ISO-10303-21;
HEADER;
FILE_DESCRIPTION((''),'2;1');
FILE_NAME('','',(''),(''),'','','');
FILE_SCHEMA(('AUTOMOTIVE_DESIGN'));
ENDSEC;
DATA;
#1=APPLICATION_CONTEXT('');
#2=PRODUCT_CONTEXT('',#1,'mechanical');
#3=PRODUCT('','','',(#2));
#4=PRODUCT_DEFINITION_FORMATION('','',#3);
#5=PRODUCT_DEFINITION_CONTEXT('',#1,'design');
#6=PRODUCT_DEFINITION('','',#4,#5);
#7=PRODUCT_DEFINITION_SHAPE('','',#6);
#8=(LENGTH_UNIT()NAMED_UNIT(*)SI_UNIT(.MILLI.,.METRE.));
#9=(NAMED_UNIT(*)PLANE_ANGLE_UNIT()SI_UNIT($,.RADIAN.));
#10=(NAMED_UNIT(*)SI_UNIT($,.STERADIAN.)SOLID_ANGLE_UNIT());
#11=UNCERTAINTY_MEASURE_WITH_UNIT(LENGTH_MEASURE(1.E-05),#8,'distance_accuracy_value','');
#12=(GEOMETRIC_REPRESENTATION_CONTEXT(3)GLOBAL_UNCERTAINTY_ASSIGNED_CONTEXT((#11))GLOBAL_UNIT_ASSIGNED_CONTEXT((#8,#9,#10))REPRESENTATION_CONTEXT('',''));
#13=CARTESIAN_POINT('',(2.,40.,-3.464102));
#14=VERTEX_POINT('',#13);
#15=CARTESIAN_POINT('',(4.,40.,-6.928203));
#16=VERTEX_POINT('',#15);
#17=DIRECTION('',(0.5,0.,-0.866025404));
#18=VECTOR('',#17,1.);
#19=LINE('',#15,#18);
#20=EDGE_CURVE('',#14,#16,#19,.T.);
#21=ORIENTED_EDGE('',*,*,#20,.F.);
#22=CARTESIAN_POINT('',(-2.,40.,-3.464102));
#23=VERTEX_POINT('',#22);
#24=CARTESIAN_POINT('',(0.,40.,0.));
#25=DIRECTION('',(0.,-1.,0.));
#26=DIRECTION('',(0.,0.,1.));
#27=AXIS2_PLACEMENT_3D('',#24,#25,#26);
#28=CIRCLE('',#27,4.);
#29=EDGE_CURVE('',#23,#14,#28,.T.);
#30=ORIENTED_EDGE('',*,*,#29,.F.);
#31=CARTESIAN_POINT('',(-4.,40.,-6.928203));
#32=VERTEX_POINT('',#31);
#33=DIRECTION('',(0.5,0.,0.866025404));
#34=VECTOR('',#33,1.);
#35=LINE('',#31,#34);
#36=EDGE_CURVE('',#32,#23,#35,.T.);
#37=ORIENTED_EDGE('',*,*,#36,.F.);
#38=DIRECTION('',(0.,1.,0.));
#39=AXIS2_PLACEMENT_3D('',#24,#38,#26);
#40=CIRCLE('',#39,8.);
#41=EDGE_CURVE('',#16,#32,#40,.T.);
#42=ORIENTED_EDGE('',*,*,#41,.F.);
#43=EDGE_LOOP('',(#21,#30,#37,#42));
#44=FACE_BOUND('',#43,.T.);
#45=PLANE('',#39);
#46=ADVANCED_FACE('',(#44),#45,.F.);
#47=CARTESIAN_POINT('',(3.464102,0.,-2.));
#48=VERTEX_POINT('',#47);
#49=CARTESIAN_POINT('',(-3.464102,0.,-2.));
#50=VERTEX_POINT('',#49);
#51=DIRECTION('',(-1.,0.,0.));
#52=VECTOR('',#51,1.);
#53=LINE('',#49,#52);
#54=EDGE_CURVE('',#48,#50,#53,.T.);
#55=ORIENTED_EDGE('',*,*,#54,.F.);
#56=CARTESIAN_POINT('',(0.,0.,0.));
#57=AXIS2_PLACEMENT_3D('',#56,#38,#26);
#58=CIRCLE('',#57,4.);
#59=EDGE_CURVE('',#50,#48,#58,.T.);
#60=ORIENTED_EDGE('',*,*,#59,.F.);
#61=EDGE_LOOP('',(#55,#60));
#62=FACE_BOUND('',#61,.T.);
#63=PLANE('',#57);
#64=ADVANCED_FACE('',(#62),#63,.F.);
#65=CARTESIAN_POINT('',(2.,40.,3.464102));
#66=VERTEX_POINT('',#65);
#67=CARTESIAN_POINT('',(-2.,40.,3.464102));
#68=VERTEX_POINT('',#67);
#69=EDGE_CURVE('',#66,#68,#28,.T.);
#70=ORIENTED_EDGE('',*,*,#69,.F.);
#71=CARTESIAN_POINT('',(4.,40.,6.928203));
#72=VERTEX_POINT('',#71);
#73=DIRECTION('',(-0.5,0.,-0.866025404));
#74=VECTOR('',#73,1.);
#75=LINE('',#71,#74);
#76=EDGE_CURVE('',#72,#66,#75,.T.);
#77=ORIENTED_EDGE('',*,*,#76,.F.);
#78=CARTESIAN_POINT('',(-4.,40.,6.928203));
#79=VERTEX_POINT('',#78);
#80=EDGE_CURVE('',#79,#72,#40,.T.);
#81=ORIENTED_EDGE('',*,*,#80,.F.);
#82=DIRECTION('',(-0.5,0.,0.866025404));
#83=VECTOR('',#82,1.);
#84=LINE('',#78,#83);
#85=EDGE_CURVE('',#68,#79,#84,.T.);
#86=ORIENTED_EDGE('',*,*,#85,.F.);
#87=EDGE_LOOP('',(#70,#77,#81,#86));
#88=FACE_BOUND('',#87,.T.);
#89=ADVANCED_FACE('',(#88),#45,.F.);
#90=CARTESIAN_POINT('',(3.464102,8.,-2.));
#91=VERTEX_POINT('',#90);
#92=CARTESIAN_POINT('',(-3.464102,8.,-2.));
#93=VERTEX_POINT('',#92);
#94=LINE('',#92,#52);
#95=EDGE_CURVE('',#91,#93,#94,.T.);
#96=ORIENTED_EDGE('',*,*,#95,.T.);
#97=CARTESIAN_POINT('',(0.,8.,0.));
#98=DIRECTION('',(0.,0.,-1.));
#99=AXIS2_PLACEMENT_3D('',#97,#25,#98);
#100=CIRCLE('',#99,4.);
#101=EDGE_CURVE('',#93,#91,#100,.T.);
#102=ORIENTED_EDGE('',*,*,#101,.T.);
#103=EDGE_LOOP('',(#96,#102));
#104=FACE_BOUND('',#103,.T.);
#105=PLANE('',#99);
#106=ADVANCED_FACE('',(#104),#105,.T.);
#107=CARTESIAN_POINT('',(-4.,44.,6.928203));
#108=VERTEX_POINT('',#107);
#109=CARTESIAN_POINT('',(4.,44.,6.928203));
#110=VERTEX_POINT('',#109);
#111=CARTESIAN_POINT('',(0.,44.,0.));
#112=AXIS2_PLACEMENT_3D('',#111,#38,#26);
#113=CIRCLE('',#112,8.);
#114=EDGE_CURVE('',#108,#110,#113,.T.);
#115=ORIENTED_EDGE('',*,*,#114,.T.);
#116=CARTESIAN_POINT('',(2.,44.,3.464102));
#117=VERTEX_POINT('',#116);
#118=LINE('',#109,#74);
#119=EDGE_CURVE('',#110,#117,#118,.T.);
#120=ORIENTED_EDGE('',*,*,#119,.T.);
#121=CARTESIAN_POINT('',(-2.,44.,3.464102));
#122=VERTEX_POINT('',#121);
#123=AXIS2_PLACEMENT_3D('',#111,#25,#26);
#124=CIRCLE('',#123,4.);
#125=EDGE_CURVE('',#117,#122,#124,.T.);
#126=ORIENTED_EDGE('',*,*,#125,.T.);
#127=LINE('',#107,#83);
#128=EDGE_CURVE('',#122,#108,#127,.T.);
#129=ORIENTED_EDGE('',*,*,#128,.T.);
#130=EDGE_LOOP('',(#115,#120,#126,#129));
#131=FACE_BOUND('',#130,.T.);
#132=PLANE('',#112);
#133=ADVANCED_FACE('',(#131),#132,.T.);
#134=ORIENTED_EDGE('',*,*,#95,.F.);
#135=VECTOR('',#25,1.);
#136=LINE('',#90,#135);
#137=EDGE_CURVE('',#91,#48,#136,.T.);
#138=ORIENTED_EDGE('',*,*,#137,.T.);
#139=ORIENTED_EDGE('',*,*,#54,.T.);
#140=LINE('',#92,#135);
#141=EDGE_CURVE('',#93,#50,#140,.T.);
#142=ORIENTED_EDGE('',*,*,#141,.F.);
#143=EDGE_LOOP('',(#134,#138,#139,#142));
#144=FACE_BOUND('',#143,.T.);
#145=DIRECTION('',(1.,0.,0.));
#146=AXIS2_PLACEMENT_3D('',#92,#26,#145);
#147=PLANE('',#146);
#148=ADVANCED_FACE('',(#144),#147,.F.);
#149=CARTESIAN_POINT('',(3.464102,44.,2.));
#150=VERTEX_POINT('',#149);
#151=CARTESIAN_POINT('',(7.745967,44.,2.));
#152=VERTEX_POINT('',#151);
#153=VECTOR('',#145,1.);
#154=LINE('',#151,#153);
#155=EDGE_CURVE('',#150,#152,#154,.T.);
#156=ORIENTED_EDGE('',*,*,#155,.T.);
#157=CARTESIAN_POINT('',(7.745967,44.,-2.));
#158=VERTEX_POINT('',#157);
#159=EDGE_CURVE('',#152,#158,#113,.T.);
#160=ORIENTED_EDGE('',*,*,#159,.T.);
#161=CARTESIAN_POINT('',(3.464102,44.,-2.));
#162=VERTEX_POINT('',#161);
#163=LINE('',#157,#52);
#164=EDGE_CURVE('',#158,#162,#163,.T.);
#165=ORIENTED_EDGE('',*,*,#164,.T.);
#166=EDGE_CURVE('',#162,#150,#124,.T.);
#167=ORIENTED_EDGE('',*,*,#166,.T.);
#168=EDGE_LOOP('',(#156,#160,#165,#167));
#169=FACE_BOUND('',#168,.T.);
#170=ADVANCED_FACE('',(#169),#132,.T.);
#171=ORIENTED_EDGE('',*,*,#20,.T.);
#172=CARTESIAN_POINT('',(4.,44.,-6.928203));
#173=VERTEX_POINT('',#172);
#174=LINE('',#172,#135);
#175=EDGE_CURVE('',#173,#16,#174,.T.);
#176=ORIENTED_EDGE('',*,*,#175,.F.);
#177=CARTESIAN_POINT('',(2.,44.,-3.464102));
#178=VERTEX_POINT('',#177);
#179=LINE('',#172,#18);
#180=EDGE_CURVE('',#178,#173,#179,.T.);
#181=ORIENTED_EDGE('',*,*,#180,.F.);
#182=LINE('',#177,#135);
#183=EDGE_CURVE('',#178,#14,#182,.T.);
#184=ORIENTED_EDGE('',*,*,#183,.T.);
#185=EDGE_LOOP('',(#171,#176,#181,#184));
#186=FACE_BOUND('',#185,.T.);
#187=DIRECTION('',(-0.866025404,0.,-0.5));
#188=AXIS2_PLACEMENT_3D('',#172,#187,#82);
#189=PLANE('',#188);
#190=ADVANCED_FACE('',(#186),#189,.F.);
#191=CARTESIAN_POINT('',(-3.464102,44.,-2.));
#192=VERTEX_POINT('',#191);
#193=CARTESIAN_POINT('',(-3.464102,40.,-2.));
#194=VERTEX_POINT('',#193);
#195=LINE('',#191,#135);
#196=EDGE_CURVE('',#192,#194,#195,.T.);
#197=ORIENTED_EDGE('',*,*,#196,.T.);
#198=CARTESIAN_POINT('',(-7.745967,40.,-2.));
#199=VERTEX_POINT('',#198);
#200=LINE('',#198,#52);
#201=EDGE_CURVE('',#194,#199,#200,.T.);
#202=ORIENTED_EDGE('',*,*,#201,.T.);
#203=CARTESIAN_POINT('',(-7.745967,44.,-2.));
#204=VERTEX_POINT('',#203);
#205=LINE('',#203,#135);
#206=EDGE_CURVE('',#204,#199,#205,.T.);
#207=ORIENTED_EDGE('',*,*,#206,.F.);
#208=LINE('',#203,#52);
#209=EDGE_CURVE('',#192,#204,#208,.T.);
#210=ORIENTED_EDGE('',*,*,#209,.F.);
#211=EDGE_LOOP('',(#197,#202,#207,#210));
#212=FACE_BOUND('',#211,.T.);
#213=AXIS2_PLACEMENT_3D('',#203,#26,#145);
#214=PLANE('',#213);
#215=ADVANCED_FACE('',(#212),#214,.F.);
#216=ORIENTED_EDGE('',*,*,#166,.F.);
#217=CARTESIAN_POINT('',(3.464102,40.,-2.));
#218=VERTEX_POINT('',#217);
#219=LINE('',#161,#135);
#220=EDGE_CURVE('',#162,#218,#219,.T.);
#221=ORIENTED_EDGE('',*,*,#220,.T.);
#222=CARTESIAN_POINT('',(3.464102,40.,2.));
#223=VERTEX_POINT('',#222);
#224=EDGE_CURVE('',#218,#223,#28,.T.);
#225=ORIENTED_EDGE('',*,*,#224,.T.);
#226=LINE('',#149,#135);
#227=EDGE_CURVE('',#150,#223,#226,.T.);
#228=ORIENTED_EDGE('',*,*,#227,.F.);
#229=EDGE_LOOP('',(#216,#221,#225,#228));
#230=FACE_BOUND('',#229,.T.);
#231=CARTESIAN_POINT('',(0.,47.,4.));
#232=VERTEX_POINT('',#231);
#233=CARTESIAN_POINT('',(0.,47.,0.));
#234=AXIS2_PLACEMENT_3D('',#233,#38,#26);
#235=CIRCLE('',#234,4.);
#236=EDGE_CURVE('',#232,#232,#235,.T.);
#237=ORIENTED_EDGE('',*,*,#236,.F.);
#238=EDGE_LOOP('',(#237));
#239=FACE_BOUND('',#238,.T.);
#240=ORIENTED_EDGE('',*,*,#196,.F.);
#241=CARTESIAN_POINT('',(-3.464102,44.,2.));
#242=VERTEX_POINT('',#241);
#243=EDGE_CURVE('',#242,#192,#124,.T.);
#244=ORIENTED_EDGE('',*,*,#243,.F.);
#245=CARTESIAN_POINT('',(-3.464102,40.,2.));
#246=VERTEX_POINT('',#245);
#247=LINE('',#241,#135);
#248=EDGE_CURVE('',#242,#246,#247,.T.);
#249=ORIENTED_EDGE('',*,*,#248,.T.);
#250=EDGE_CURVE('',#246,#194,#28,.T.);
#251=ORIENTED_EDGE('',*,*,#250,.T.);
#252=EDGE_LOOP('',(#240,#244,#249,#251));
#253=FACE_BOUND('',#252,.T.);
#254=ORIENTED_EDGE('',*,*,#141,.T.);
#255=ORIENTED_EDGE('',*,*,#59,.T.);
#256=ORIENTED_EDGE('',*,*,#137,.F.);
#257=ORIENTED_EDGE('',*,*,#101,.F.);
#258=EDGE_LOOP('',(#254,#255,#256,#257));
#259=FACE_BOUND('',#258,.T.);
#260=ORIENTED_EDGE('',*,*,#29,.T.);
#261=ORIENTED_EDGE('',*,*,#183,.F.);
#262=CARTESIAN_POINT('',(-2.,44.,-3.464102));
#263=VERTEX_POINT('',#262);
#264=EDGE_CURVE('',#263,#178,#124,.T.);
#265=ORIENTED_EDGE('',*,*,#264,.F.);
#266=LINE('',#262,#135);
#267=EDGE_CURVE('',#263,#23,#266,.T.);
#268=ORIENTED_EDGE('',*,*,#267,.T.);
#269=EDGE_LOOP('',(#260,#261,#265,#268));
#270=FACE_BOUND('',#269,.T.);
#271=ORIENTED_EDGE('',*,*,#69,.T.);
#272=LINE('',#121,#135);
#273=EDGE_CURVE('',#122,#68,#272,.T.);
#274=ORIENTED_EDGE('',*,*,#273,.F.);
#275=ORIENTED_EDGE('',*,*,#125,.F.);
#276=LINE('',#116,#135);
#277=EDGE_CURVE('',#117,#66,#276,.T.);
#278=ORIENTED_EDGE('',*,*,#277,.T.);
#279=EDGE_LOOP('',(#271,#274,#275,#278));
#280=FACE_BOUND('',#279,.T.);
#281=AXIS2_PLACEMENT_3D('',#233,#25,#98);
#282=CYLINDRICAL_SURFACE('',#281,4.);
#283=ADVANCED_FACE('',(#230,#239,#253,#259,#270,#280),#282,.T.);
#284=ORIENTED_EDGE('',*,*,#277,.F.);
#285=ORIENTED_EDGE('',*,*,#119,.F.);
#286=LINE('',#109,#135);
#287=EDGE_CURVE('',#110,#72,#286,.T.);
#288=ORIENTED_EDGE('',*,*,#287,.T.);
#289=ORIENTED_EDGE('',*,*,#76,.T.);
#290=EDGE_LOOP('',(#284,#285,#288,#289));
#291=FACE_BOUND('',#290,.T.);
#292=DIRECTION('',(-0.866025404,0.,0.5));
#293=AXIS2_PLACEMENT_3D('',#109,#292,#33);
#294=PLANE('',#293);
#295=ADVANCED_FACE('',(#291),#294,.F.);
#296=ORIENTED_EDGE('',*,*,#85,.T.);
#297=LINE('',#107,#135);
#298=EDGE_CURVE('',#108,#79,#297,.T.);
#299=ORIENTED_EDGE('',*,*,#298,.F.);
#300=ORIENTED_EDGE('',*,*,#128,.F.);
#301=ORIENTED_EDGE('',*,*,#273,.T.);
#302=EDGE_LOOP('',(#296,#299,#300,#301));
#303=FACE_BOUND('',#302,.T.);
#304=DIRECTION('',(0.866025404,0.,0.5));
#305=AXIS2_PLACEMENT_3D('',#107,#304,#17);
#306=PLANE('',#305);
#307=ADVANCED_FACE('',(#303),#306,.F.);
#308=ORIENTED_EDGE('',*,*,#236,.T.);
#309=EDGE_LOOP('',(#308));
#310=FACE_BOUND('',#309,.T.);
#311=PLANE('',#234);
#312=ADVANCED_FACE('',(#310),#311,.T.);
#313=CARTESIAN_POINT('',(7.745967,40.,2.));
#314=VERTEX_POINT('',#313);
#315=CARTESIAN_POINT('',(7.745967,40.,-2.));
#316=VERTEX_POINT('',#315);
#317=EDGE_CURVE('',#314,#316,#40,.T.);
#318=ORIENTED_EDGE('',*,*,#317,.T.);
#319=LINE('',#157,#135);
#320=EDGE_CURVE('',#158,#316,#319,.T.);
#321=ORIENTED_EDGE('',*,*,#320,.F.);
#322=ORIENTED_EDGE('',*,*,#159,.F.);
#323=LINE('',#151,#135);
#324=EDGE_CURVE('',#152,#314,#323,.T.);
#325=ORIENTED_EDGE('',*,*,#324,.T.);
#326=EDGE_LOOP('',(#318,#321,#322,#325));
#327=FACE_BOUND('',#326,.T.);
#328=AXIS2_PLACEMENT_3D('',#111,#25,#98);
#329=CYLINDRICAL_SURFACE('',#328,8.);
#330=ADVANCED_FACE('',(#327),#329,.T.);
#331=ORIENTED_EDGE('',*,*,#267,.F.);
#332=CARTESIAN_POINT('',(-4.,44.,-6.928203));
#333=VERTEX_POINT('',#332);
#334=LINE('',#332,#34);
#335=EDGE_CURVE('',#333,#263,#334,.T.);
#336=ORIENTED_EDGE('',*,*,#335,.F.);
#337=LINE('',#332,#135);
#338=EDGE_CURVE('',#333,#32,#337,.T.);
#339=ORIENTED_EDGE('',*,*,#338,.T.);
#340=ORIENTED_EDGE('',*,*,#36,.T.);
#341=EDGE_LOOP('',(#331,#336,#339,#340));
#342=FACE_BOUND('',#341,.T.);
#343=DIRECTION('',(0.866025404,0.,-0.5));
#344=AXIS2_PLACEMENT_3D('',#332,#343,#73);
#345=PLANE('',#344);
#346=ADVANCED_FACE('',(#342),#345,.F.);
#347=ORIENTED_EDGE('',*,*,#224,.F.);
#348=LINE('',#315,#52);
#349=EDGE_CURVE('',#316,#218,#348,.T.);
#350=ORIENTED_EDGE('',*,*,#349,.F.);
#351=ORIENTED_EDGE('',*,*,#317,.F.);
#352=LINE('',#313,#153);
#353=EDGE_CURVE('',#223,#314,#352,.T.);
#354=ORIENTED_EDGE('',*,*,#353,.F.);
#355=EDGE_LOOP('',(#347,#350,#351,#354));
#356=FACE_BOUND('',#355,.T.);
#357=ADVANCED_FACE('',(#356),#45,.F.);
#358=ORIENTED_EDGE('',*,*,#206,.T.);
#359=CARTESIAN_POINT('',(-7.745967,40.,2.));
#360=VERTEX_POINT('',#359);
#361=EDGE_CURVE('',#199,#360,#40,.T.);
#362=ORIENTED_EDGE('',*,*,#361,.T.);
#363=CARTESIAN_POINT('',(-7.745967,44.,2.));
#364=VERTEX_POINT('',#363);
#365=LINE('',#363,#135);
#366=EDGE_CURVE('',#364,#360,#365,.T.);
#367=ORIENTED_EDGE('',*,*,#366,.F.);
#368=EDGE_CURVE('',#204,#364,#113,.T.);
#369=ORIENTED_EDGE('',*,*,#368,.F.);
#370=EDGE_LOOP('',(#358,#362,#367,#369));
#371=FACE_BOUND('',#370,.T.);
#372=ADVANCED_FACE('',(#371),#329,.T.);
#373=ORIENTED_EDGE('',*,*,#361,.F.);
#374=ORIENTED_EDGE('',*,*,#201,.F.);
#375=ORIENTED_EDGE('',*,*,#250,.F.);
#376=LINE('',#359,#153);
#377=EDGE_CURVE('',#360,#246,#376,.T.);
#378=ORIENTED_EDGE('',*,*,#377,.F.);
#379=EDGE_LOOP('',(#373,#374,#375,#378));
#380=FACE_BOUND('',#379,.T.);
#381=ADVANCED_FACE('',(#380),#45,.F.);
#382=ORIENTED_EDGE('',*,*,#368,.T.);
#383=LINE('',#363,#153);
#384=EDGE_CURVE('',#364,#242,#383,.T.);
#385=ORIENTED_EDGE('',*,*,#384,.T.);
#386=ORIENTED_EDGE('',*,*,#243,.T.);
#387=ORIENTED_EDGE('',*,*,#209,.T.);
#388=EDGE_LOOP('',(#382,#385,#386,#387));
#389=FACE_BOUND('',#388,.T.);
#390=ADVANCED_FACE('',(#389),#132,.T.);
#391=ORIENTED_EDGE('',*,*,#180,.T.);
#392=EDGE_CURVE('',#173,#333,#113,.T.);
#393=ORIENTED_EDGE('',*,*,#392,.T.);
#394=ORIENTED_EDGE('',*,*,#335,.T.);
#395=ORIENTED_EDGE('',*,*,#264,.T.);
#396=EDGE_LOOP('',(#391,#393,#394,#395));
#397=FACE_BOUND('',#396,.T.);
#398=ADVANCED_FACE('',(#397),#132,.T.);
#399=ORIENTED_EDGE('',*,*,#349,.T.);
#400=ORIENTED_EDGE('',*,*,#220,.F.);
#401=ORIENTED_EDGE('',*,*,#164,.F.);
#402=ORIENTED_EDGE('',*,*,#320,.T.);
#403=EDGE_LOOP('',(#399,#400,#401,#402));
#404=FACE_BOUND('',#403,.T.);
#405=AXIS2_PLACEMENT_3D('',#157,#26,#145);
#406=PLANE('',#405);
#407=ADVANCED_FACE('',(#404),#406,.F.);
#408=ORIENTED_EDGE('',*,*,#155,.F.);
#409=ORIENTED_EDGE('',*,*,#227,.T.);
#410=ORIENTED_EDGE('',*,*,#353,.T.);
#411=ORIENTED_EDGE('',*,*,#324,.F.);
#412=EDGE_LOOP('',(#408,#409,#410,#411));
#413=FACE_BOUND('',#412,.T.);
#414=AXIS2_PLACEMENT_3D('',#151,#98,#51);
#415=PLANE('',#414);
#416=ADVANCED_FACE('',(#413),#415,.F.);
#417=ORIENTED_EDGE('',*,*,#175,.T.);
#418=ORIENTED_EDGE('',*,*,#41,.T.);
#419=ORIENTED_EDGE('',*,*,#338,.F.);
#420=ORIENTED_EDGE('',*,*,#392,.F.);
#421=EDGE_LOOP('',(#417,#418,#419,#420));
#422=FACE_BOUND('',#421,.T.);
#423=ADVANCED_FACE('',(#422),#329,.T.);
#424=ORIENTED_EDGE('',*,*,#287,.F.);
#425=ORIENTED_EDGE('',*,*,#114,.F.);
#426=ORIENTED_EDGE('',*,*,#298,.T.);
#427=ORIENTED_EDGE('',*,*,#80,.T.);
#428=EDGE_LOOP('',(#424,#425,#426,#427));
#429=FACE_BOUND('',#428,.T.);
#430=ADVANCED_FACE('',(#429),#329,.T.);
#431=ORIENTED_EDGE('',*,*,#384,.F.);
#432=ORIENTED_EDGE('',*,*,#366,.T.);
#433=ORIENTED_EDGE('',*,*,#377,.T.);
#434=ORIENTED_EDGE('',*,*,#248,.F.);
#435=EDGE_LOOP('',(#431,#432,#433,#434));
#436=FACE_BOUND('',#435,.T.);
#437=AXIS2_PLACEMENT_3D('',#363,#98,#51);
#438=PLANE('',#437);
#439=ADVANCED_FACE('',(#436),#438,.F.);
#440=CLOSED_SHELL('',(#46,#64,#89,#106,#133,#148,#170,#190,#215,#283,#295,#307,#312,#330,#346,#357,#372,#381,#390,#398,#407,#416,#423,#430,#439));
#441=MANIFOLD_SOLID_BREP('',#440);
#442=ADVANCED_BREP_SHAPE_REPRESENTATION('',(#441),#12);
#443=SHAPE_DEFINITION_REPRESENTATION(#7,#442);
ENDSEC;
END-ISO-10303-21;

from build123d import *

# Parameters (mm, degrees)
SKETCH1_R           = 4
BOSS_EXTRUDE1_DEPTH = 47
BOSS_EXTRUDE2_DEPTH = 2
CUT_EXTRUDE1_DEPTH  = 8


with BuildPart() as part:
    # Sketch1 → Boss-Extrude1 (new body)
    with BuildSketch(Plane(origin=(0, 0, 0), x_dir=(1, 0, 0), z_dir=(0, 1, 0))):
        with Locations(Location((0, 0, 0), (0, 0, 270))):
            Circle(SKETCH1_R)
    extrude(amount=BOSS_EXTRUDE1_DEPTH)

    # Sketch2 → Boss-Extrude2 (add, symmetric)
    with BuildSketch(Plane(origin=(0, 42, 0), x_dir=(1, 0, 0), z_dir=(0, 1, 0))):
        with BuildLine():
            Line((-4, 6.92820323), (-2, 3.464101615))
            ThreePointArc((-2, 3.464101615), (0, 4), (2, 3.464101615))
            Line((2, 3.464101615), (4, 6.92820323))
            ThreePointArc((4, 6.92820323), (0, 8), (-4, 6.92820323))
        make_face()
        with BuildLine():
            Line((-7.745966692, 2), (-3.464101615, 2))
            ThreePointArc((-3.464101615, 2), (-4, 0), (-3.464101615, -2))
            Line((-3.464101615, -2), (-7.745966692, -2))
            ThreePointArc((-7.745966692, -2), (-8, 0), (-7.745966692, 2))
        make_face()
        with BuildLine():
            Line((7.745966692, 2), (3.464101615, 2))
            ThreePointArc((3.464101615, 2), (4, 0), (3.464101615, -2))
            Line((3.464101615, -2), (7.745966692, -2))
            ThreePointArc((7.745966692, -2), (8, 0), (7.745966692, 2))
        make_face()
        with BuildLine():
            Line((4, -6.92820323), (2, -3.464101615))
            ThreePointArc((2, -3.464101615), (0, -4), (-2, -3.464101615))
            Line((-2, -3.464101615), (-4, -6.92820323))
            ThreePointArc((-4, -6.92820323), (0, -8), (4, -6.92820323))
        make_face()
    extrude(amount=BOSS_EXTRUDE2_DEPTH, both=True)

    # Sketch3 → Cut-Extrude1 (cut)
    with BuildSketch(Plane.XZ):
        with BuildLine():
            Line((-3.464101615, -2), (3.464101615, -2))
            ThreePointArc((3.464101615, -2), (0, -4), (-3.464101615, -2))
        make_face()
    extrude(amount=-CUT_EXTRUDE1_DEPTH, mode=Mode.SUBTRACT)


solid = part.part
